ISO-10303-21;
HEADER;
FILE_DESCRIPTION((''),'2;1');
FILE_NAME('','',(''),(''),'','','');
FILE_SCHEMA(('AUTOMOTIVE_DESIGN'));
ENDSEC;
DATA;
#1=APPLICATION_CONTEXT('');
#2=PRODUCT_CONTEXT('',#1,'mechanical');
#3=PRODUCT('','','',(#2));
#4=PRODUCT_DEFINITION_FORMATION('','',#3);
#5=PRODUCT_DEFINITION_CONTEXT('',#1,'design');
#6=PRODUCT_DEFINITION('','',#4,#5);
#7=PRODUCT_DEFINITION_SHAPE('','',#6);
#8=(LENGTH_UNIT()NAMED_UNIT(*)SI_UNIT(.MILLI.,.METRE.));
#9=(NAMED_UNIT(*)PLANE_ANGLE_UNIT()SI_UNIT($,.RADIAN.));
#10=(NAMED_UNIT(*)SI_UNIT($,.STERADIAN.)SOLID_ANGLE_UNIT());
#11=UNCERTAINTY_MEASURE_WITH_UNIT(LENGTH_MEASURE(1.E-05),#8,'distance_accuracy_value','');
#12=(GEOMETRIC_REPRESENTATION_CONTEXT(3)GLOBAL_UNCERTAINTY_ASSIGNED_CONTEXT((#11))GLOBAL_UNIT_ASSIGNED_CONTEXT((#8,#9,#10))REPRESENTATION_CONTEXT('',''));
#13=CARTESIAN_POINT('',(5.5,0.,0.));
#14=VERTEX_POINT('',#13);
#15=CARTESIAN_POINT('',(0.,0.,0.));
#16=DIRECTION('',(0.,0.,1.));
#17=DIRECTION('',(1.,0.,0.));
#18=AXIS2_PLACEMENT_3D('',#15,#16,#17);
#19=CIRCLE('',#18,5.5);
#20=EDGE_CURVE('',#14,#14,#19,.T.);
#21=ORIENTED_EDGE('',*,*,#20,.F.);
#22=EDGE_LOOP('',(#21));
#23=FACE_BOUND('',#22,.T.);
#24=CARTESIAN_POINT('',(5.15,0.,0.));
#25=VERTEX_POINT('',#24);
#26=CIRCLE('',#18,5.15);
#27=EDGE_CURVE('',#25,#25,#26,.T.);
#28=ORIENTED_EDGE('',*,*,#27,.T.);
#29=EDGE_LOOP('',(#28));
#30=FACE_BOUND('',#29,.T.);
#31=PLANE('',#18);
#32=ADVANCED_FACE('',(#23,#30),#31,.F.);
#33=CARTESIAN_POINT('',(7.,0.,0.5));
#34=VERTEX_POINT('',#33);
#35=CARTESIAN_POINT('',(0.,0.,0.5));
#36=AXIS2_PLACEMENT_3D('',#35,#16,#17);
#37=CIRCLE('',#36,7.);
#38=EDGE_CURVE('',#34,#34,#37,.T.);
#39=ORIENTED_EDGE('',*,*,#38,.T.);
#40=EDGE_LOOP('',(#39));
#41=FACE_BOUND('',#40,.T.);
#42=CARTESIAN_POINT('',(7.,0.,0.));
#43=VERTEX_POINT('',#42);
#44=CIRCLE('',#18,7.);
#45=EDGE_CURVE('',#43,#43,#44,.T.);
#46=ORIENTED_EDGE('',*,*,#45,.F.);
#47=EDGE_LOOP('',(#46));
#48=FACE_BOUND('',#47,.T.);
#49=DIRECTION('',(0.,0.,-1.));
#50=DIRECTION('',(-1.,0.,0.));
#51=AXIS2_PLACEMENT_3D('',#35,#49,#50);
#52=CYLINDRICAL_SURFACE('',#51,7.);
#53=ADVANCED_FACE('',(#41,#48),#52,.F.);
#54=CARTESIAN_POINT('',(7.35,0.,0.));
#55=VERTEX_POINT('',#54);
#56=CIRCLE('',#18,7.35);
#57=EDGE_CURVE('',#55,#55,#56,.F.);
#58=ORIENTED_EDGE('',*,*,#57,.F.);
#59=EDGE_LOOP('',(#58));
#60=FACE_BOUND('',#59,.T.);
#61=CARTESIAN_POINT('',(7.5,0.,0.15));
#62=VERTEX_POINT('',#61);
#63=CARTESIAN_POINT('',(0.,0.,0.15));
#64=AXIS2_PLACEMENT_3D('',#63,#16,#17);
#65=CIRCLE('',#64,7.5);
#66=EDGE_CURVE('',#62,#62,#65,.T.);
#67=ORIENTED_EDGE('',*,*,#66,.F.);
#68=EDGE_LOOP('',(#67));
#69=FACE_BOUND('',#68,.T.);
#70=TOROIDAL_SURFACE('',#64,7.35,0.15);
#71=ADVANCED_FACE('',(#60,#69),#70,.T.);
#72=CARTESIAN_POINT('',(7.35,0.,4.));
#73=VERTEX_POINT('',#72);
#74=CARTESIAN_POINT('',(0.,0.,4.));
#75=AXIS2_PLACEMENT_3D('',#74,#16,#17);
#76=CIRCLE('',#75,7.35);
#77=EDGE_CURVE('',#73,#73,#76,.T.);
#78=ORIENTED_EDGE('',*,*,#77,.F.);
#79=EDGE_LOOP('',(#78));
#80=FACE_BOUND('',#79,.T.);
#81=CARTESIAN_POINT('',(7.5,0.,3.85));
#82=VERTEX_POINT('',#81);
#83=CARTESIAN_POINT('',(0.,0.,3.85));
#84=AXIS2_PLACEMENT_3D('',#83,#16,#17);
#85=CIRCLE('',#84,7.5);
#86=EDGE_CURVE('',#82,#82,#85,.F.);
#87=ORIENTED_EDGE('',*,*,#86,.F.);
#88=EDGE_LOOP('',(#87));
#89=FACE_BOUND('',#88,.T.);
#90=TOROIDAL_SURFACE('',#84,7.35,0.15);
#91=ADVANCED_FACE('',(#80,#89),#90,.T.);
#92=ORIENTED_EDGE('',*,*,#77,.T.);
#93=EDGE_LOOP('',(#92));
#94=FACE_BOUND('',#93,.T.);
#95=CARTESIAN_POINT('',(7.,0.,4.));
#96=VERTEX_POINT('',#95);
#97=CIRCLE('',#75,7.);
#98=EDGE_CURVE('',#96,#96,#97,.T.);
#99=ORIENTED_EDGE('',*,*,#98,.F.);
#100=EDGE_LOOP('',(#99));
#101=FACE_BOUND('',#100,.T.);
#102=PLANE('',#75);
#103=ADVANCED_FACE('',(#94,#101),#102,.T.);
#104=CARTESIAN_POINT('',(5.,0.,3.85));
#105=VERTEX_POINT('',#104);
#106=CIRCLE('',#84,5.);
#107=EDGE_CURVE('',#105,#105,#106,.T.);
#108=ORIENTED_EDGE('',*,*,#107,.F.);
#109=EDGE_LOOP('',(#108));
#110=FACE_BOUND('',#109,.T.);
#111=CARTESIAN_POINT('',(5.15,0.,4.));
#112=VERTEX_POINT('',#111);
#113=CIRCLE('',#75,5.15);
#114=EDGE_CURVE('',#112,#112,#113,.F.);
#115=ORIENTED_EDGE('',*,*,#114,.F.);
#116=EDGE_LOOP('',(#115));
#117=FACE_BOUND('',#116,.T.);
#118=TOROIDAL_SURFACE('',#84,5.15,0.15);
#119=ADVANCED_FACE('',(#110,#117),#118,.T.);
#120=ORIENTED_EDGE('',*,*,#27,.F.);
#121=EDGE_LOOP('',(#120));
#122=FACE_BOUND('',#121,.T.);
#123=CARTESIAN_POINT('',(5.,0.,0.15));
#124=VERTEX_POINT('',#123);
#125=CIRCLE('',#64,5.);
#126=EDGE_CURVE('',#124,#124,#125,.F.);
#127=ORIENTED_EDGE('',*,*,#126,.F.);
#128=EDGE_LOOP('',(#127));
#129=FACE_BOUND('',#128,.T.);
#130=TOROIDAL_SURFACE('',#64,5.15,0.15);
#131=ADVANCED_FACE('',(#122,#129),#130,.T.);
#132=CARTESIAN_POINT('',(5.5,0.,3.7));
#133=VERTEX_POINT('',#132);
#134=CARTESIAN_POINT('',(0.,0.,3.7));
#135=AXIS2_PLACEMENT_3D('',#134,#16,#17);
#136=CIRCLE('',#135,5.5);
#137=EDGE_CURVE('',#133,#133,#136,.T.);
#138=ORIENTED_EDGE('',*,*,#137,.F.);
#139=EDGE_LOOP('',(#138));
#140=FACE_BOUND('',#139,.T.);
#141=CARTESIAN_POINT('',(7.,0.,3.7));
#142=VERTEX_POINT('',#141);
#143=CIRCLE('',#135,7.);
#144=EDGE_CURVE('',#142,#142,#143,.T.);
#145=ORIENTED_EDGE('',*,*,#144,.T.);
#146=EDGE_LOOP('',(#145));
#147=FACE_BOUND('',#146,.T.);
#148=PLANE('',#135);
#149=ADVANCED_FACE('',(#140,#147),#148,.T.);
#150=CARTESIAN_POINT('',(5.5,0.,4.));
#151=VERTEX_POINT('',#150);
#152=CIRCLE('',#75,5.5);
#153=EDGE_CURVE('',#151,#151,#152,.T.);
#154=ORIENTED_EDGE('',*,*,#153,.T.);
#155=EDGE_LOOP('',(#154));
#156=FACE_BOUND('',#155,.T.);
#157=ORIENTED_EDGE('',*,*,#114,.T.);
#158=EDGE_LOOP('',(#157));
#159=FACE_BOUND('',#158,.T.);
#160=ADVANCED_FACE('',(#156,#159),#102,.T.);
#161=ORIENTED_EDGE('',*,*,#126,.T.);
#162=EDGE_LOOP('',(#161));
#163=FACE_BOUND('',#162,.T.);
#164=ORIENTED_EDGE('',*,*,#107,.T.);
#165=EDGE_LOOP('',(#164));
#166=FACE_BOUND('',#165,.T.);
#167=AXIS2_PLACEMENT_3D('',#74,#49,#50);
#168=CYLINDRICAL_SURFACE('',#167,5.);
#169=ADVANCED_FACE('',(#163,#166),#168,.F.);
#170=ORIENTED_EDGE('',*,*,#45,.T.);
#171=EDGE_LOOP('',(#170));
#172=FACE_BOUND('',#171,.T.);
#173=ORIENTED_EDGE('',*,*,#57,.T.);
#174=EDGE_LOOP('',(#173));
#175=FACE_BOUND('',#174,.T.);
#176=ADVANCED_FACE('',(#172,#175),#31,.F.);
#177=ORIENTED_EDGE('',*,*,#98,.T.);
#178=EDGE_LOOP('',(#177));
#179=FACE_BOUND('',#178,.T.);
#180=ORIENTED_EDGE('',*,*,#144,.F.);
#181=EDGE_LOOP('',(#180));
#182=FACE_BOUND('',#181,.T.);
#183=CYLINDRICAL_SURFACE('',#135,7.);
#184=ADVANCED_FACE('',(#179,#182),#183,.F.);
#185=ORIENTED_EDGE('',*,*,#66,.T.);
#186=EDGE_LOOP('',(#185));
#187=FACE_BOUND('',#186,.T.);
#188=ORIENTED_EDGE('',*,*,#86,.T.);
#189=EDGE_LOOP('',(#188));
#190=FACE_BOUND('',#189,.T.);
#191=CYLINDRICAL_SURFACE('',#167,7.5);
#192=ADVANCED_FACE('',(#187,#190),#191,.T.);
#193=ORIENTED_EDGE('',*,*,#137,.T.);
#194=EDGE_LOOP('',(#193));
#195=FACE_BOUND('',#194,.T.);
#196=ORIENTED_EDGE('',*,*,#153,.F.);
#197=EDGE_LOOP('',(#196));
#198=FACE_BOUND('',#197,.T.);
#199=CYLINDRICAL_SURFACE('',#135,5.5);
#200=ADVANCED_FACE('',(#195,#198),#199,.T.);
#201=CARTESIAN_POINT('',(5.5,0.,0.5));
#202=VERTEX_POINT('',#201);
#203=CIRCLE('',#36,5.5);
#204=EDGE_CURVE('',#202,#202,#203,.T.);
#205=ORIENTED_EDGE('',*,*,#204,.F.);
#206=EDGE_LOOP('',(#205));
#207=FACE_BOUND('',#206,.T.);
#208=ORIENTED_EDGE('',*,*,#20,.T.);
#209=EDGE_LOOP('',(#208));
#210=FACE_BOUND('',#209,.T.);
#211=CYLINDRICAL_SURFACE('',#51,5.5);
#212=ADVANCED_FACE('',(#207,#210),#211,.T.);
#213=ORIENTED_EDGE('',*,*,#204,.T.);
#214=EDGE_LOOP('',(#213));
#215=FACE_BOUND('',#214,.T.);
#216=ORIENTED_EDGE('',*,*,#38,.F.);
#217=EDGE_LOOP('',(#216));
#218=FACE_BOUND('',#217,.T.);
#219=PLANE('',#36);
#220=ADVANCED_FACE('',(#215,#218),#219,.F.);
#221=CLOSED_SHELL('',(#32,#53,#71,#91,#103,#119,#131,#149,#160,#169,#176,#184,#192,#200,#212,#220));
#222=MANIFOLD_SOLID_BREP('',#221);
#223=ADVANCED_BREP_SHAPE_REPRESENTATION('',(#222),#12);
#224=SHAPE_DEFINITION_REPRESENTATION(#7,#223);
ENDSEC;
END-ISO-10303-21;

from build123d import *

# Parameters (mm, degrees)
SKETCH1_R           = 7.5
SKETCH1_R_2         = 5
BOSS_EXTRUDE1_DEPTH = 4
SKETCH2_R           = 7
SKETCH2_R_2         = 5.5
CUT_EXTRUDE1_DEPTH  = 0.3
CUT_EXTRUDE2_START  = -3.5
SKETCH2_2_R         = 7
SKETCH2_2_R_2       = 5.5
CUT_EXTRUDE2_DEPTH  = 0.5
FILLET1_R           = 0.15


with BuildPart() as part:
    # Sketch1 → Boss-Extrude1 (new body)
    with BuildSketch(Plane.XY):
        Circle(SKETCH1_R)
        Circle(SKETCH1_R_2, mode=Mode.SUBTRACT)
    extrude(amount=BOSS_EXTRUDE1_DEPTH)

    # Sketch2 → Cut-Extrude1 (cut)
    with BuildSketch(Plane.XY.offset(4)):
        Circle(SKETCH2_R)
        Circle(SKETCH2_R_2, mode=Mode.SUBTRACT)
    extrude(amount=-CUT_EXTRUDE1_DEPTH, mode=Mode.SUBTRACT)

    # Sketch2<2> → Cut-Extrude2 (cut)
    with BuildSketch(Plane.XY.offset(4).offset(CUT_EXTRUDE2_START)):
        Circle(SKETCH2_2_R)
        Circle(SKETCH2_2_R_2, mode=Mode.SUBTRACT)
    extrude(amount=-CUT_EXTRUDE2_DEPTH, mode=Mode.SUBTRACT)

    # Fillet1
    fillet1_edges = [part.edges().sort_by_distance(p)[0] for p in [
        (-7.5, 0, 0),
        (-7.5, 0, 4),
        (-5, 0, 0),
        (-5, 0, 4),
    ]]
    fillet(fillet1_edges, radius=FILLET1_R)


solid = part.part
